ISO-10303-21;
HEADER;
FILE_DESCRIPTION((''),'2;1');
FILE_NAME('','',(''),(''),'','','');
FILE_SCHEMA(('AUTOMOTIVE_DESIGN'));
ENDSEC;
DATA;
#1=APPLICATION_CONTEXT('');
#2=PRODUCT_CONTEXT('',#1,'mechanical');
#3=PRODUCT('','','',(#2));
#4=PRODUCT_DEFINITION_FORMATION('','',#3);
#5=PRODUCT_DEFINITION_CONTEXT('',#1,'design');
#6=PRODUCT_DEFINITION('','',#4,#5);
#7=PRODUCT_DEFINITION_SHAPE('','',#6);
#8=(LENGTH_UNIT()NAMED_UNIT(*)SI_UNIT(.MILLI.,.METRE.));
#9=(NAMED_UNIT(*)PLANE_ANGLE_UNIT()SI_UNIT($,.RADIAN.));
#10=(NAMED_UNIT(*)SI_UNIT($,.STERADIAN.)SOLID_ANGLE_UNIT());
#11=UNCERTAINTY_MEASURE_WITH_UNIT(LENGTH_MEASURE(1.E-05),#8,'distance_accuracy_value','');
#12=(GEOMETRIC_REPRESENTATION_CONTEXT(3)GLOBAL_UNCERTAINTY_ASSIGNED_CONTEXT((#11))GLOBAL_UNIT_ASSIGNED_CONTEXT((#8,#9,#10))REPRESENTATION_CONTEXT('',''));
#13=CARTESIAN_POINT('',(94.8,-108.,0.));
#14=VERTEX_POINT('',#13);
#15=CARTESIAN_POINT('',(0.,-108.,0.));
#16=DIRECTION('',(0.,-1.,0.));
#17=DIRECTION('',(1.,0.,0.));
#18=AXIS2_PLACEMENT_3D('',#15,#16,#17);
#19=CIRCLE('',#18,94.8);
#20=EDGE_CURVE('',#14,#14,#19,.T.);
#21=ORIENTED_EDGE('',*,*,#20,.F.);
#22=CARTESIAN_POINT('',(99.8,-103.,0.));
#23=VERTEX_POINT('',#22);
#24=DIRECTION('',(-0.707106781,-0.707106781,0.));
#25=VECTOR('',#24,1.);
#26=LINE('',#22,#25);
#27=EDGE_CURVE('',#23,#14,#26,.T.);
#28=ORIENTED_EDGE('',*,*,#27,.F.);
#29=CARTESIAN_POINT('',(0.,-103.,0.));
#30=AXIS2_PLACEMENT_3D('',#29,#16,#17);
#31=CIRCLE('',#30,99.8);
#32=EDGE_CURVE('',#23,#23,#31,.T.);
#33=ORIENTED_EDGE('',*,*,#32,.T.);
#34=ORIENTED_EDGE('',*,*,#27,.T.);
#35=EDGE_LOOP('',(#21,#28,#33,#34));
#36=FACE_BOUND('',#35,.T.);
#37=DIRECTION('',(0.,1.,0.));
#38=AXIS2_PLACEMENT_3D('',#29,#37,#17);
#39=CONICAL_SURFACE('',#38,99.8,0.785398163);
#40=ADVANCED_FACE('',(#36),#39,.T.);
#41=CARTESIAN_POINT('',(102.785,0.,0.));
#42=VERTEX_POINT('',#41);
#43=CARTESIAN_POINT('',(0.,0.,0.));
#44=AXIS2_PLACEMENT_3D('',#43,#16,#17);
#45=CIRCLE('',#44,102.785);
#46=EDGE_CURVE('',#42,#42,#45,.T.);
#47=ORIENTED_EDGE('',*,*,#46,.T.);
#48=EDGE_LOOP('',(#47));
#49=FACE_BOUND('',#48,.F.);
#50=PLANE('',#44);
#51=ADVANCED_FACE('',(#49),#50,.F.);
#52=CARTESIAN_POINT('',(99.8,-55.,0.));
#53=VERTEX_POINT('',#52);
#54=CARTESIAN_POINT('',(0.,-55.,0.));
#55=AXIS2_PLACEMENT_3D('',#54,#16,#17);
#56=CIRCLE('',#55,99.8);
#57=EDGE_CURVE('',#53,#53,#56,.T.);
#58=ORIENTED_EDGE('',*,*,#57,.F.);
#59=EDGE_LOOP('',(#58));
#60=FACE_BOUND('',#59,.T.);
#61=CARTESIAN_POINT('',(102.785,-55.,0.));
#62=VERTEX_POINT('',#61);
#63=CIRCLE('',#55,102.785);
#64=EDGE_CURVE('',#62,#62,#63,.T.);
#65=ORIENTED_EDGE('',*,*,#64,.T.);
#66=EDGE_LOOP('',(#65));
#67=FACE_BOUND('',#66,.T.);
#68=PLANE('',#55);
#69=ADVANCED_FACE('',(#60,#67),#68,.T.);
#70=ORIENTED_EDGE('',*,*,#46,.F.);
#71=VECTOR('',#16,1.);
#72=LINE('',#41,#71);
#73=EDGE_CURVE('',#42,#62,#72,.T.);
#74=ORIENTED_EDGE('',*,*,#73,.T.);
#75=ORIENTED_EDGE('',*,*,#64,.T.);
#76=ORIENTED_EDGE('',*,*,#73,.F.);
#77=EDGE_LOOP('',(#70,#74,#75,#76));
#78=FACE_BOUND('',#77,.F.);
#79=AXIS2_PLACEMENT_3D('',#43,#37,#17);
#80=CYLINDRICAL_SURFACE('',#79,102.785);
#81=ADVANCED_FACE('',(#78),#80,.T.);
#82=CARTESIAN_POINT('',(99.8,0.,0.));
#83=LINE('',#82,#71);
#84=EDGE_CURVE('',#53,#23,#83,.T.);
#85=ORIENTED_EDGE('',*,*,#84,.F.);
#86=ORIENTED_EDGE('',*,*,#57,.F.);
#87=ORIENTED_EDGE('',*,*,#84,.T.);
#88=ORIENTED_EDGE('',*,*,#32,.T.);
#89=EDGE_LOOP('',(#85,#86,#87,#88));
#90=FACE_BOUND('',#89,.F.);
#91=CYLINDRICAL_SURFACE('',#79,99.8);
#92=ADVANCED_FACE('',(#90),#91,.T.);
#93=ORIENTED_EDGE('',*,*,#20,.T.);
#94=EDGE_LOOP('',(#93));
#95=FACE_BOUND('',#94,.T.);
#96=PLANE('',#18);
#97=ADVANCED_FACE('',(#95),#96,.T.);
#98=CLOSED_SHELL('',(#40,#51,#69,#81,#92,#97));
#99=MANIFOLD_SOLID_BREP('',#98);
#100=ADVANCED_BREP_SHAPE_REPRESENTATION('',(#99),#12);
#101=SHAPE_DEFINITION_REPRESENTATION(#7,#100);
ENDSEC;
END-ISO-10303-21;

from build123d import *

# Parameters (mm, degrees)
F0_R     = 102.785
F0_R_2   = 99.8
F1_DEPTH = 55
F2_DEPTH = 108
F3_SIZE  = 5


with BuildPart() as f1:
    # F0 (on Front) → F1 (new body)
    with BuildSketch(Plane.XZ):
        Circle(F0_R)
        Circle(F0_R_2, mode=Mode.SUBTRACT)
    extrude(amount=F1_DEPTH)

    # F0 (on Front) → F2 (join)
    with BuildSketch(Plane.XZ):
        Circle(F0_R_2)
    extrude(amount=F2_DEPTH)

    # F3
    f3_edges = [f1.edges().sort_by_distance(p)[0] for p in [
        (-99.8, -108, 0),
    ]]
    chamfer(f3_edges, length=F3_SIZE)


solid = f1.part
